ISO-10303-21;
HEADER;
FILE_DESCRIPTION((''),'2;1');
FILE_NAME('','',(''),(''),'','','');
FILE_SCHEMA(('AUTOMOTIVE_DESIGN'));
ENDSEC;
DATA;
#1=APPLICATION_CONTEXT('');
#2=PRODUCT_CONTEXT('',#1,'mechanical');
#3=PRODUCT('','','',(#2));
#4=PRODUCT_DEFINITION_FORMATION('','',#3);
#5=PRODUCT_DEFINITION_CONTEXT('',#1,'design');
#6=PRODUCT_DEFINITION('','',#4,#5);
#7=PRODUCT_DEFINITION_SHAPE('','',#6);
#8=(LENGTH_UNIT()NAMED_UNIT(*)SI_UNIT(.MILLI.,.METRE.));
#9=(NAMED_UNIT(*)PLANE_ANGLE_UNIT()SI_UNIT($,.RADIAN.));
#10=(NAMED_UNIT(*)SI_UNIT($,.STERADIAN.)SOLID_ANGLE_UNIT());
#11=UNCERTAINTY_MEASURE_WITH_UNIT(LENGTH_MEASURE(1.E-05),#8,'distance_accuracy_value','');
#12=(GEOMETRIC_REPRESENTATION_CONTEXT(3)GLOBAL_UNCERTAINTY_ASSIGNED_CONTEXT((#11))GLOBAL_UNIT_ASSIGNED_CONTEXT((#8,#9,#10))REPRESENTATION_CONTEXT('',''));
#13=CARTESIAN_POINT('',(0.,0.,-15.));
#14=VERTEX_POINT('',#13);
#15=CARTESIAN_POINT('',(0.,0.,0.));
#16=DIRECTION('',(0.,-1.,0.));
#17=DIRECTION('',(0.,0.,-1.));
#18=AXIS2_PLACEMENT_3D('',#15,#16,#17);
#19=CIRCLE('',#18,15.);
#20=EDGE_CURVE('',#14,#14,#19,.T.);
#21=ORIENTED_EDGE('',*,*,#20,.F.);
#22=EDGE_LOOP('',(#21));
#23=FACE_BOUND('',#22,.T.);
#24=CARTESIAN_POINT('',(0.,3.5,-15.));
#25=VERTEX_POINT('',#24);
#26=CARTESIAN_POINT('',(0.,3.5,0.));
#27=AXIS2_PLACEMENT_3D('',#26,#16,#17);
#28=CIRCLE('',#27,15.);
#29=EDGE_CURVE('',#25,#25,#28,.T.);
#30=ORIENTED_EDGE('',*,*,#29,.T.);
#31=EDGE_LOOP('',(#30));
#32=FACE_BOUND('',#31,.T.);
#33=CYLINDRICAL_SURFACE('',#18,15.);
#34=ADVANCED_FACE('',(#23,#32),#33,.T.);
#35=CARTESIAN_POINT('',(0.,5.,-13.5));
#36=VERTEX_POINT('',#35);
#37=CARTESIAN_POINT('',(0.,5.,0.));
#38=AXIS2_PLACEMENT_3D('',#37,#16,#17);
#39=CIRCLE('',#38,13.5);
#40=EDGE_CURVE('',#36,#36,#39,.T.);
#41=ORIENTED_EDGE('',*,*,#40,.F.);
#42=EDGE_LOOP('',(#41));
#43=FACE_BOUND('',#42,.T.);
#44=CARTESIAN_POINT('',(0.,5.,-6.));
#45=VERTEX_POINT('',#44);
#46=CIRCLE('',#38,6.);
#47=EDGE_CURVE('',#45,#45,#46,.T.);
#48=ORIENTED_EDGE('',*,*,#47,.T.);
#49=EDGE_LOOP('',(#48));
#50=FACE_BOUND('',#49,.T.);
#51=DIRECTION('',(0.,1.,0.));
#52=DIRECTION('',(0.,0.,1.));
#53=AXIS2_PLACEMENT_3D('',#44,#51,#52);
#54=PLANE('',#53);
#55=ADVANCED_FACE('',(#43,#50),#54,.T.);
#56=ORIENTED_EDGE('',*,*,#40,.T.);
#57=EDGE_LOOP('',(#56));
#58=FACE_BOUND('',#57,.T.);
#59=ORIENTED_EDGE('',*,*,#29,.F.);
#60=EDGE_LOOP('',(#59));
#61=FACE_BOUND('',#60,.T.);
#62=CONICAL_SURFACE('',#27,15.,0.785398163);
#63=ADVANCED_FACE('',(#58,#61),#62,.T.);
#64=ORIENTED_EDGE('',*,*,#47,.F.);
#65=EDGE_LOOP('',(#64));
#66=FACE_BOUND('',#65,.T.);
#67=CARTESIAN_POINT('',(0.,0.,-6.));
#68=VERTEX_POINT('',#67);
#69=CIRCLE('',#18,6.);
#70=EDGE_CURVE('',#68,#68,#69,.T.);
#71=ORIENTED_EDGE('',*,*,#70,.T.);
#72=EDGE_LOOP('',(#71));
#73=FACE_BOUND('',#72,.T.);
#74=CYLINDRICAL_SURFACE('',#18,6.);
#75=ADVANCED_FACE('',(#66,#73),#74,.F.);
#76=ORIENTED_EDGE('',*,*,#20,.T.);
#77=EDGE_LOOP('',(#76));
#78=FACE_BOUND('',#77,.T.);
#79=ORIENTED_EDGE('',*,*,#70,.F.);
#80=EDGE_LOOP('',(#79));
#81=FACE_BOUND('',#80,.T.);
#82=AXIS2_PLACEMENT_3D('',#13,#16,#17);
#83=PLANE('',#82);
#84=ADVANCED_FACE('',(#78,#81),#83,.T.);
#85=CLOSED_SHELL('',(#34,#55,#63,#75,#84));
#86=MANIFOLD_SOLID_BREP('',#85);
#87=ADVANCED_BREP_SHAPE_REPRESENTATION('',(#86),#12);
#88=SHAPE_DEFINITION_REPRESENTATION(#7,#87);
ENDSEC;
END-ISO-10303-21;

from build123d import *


with BuildPart() as part:
    # Sketch1 → Revolve1 (revolve)
    with BuildSketch(Plane(origin=(0, 0, 0), x_dir=(0, 0, -1), z_dir=(1, 0, 0))):
        Polygon((6, 0), (6, 5), (13.5, 5), (15, 3.5), (15, 0), align=None)
    revolve(axis=Axis((0, 0, 0), (0, 1, 0)))


solid = part.part
